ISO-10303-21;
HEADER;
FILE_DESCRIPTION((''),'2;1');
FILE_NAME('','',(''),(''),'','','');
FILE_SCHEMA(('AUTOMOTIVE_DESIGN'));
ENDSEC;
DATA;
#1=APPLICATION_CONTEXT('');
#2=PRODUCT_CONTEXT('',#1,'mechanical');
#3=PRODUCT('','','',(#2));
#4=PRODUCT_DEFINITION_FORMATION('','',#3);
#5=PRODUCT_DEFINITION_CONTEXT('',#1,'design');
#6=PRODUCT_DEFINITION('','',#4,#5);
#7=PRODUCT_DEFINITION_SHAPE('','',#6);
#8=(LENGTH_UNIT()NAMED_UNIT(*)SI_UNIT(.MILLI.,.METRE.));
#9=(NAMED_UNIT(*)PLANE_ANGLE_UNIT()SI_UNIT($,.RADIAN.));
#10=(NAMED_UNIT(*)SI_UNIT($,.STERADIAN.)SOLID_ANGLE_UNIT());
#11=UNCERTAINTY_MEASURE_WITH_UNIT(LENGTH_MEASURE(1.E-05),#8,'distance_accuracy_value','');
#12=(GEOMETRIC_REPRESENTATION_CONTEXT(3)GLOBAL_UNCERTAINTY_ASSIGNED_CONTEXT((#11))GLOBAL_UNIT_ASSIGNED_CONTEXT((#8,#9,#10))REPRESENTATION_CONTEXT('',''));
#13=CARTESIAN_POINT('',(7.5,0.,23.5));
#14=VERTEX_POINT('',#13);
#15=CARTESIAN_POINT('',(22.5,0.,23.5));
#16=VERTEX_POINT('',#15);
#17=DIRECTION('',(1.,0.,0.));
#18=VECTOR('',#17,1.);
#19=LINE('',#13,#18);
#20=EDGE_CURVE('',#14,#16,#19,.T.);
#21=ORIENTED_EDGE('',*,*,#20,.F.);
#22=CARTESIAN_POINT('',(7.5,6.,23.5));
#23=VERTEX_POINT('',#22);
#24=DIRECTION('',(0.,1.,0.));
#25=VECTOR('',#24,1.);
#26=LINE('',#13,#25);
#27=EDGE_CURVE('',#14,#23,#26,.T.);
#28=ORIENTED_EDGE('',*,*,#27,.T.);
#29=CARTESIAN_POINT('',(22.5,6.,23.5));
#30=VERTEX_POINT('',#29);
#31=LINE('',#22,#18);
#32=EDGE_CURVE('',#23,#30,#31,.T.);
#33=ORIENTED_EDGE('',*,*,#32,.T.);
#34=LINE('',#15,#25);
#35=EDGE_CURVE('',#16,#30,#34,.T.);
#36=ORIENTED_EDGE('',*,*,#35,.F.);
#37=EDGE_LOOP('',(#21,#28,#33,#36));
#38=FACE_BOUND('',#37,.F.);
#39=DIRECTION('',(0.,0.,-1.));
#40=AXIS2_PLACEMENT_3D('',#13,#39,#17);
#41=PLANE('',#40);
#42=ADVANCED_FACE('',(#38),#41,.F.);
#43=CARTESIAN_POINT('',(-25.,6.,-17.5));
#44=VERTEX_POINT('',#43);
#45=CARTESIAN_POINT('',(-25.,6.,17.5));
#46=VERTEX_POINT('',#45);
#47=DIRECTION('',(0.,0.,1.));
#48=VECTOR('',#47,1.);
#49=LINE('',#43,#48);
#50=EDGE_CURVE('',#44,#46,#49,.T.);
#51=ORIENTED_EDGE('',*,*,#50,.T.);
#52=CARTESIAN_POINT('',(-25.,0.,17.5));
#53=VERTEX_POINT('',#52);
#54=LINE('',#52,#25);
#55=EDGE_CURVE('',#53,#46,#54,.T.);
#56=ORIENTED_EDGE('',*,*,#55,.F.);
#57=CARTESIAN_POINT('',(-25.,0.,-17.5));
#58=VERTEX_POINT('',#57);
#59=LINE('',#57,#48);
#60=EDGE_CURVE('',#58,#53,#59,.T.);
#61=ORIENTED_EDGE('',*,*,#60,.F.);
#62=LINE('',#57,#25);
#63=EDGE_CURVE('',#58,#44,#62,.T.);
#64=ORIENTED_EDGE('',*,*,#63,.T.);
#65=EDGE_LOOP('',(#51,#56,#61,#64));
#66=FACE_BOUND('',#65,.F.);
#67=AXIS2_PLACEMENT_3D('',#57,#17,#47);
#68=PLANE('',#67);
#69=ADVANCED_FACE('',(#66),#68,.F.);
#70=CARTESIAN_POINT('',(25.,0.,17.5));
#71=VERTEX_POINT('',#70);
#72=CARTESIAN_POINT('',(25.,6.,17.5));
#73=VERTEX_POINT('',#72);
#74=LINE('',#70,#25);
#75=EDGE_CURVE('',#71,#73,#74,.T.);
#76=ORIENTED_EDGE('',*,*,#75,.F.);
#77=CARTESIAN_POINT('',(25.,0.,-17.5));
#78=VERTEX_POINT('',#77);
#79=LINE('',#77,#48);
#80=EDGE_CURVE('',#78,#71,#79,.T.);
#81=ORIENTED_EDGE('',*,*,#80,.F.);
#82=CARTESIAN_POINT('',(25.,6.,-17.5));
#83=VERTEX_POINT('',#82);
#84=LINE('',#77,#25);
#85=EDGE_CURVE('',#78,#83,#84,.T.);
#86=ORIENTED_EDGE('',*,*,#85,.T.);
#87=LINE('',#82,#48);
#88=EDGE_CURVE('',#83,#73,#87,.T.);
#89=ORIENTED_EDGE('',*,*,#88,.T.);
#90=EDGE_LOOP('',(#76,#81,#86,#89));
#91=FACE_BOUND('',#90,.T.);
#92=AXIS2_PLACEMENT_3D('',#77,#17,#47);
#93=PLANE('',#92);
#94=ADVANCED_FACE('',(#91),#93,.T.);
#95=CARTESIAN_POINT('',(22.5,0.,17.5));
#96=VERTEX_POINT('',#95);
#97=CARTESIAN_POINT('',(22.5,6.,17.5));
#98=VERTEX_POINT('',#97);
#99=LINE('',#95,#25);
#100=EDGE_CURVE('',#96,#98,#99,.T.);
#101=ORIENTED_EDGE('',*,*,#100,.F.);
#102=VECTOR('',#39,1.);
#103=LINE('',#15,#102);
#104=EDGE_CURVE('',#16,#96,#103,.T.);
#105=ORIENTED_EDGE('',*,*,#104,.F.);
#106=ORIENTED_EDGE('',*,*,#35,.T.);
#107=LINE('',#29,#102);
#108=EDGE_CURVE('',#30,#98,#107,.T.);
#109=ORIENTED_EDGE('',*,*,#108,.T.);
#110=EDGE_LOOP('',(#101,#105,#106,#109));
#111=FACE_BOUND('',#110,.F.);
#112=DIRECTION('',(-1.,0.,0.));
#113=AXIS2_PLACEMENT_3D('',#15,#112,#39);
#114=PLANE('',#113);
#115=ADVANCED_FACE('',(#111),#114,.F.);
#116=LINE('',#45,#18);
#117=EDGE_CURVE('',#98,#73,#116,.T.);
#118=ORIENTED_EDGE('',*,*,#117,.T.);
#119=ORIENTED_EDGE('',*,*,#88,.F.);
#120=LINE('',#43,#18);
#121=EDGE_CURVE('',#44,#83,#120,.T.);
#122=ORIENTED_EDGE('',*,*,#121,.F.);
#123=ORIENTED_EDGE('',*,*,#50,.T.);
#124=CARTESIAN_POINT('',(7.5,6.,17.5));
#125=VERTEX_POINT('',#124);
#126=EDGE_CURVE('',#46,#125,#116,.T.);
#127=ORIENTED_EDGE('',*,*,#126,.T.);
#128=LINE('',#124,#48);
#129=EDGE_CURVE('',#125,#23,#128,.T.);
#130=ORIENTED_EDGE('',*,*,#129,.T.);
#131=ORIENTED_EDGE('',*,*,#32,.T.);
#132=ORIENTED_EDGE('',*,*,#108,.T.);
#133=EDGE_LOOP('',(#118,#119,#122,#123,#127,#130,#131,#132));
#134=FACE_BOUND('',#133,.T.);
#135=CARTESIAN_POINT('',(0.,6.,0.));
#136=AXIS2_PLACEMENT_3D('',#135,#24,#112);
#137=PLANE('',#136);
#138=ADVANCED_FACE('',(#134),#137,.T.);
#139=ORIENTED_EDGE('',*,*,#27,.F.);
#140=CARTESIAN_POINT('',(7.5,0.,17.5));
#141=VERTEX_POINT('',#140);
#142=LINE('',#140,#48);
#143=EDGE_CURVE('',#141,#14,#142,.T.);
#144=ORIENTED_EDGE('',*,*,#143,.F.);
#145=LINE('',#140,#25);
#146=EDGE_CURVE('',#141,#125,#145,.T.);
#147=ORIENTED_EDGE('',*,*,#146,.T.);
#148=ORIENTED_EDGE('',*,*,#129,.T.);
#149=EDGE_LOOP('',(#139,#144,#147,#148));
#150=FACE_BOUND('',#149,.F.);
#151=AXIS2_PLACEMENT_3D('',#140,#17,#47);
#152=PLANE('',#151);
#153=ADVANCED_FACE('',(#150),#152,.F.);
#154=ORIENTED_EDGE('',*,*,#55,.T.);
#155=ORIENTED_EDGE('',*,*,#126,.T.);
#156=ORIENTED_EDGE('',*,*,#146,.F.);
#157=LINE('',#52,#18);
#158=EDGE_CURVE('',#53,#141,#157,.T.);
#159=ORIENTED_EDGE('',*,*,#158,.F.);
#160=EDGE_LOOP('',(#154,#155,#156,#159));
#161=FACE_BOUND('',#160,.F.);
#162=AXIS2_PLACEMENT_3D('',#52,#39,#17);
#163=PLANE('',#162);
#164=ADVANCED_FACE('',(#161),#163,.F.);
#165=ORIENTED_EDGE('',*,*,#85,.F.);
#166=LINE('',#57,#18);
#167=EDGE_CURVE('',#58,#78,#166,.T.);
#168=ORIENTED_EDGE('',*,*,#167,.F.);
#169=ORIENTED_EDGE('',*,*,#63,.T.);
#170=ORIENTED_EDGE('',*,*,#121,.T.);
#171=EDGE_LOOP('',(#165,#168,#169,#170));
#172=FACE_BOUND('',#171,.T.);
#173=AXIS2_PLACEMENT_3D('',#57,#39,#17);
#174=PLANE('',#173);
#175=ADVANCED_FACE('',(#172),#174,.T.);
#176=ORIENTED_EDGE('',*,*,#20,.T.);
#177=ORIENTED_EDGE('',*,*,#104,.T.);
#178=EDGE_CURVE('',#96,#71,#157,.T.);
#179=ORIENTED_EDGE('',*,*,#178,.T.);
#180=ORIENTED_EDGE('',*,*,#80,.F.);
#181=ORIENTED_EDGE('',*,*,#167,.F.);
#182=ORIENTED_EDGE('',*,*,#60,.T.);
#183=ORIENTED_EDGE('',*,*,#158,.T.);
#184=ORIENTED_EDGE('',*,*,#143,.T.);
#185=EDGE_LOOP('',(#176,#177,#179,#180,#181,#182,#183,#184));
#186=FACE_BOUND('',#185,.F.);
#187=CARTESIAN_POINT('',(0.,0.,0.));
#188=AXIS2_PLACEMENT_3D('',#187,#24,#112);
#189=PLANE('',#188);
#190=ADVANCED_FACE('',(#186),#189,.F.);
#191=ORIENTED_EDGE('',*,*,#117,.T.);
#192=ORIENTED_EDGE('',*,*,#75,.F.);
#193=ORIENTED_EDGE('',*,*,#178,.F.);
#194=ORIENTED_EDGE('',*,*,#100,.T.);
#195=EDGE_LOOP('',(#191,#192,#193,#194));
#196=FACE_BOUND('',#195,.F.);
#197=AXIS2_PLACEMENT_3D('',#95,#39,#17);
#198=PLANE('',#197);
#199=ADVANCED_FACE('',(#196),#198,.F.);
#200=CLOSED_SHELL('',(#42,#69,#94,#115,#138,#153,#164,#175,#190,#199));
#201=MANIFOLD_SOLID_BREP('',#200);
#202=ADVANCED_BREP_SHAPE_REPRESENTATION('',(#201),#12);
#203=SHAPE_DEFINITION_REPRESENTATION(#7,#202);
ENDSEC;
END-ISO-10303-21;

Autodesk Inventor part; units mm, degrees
ref_plane "YZ Plane" through (0, 0, 0) normal (1, 0, 0) x (0, 1, 0)
ref_plane "XZ Plane" through (0, 0, 0) normal (0, 1, 0) x (-1, 0, 0)
ref_plane "XY Plane" through (0, 0, 0) normal (0, 0, 1) x (1, 0, 0)
sketch "Sketch2" plane through (0, 0, 0) normal (0, 1, 0) x (-1, 0, 0)
  line L0 (25, -17.5) -> (-25, -17.5)
  line L1 (-25, -17.5) -> (-25, 17.5)
  line L2 (25, -17.5) -> (-25, 17.5) construction
  line L3 (-25, -17.5) -> (25, 17.5) construction
  line L4 (-22.5, 17.5) -> (-7.5, 17.5)
  line L5 (-7.5, 17.5) -> (-7.5, 23.5)
  line L6 (-7.5, 23.5) -> (-22.5, 23.5)
  line L7 (-22.5, 23.5) -> (-22.5, 17.5)
  line L8 (25, -17.5) -> (25, 17.5)
  line L9 (25, 17.5) -> (-25, 17.5)
  point P0 (0, 0)
  point P1 (0, 0)
  point P2 (-7.5, 17.5)
  dimension "d0" = 50
  dimension "d1" = 35
  dimension "d58" = 2.5
  dimension "d59" = 15
  dimension "d60" = 6
extrude "Extrusion12" add sketch "Sketch2" along normal blind 6
sketch "Sketch7" plane through (0, 6, 0) normal (0, 1, 0) x (1, 0, 0)
  line L0 (25, -17.5) -> (25, 17.5) projected
  line L1 (-25, -17.5) -> (7.5, -17.5) projected
  point P0 (0, 0)
extrude "Extrusion13" [suppressed]
properties part number "Pared_caja_reduccion_frontal"
